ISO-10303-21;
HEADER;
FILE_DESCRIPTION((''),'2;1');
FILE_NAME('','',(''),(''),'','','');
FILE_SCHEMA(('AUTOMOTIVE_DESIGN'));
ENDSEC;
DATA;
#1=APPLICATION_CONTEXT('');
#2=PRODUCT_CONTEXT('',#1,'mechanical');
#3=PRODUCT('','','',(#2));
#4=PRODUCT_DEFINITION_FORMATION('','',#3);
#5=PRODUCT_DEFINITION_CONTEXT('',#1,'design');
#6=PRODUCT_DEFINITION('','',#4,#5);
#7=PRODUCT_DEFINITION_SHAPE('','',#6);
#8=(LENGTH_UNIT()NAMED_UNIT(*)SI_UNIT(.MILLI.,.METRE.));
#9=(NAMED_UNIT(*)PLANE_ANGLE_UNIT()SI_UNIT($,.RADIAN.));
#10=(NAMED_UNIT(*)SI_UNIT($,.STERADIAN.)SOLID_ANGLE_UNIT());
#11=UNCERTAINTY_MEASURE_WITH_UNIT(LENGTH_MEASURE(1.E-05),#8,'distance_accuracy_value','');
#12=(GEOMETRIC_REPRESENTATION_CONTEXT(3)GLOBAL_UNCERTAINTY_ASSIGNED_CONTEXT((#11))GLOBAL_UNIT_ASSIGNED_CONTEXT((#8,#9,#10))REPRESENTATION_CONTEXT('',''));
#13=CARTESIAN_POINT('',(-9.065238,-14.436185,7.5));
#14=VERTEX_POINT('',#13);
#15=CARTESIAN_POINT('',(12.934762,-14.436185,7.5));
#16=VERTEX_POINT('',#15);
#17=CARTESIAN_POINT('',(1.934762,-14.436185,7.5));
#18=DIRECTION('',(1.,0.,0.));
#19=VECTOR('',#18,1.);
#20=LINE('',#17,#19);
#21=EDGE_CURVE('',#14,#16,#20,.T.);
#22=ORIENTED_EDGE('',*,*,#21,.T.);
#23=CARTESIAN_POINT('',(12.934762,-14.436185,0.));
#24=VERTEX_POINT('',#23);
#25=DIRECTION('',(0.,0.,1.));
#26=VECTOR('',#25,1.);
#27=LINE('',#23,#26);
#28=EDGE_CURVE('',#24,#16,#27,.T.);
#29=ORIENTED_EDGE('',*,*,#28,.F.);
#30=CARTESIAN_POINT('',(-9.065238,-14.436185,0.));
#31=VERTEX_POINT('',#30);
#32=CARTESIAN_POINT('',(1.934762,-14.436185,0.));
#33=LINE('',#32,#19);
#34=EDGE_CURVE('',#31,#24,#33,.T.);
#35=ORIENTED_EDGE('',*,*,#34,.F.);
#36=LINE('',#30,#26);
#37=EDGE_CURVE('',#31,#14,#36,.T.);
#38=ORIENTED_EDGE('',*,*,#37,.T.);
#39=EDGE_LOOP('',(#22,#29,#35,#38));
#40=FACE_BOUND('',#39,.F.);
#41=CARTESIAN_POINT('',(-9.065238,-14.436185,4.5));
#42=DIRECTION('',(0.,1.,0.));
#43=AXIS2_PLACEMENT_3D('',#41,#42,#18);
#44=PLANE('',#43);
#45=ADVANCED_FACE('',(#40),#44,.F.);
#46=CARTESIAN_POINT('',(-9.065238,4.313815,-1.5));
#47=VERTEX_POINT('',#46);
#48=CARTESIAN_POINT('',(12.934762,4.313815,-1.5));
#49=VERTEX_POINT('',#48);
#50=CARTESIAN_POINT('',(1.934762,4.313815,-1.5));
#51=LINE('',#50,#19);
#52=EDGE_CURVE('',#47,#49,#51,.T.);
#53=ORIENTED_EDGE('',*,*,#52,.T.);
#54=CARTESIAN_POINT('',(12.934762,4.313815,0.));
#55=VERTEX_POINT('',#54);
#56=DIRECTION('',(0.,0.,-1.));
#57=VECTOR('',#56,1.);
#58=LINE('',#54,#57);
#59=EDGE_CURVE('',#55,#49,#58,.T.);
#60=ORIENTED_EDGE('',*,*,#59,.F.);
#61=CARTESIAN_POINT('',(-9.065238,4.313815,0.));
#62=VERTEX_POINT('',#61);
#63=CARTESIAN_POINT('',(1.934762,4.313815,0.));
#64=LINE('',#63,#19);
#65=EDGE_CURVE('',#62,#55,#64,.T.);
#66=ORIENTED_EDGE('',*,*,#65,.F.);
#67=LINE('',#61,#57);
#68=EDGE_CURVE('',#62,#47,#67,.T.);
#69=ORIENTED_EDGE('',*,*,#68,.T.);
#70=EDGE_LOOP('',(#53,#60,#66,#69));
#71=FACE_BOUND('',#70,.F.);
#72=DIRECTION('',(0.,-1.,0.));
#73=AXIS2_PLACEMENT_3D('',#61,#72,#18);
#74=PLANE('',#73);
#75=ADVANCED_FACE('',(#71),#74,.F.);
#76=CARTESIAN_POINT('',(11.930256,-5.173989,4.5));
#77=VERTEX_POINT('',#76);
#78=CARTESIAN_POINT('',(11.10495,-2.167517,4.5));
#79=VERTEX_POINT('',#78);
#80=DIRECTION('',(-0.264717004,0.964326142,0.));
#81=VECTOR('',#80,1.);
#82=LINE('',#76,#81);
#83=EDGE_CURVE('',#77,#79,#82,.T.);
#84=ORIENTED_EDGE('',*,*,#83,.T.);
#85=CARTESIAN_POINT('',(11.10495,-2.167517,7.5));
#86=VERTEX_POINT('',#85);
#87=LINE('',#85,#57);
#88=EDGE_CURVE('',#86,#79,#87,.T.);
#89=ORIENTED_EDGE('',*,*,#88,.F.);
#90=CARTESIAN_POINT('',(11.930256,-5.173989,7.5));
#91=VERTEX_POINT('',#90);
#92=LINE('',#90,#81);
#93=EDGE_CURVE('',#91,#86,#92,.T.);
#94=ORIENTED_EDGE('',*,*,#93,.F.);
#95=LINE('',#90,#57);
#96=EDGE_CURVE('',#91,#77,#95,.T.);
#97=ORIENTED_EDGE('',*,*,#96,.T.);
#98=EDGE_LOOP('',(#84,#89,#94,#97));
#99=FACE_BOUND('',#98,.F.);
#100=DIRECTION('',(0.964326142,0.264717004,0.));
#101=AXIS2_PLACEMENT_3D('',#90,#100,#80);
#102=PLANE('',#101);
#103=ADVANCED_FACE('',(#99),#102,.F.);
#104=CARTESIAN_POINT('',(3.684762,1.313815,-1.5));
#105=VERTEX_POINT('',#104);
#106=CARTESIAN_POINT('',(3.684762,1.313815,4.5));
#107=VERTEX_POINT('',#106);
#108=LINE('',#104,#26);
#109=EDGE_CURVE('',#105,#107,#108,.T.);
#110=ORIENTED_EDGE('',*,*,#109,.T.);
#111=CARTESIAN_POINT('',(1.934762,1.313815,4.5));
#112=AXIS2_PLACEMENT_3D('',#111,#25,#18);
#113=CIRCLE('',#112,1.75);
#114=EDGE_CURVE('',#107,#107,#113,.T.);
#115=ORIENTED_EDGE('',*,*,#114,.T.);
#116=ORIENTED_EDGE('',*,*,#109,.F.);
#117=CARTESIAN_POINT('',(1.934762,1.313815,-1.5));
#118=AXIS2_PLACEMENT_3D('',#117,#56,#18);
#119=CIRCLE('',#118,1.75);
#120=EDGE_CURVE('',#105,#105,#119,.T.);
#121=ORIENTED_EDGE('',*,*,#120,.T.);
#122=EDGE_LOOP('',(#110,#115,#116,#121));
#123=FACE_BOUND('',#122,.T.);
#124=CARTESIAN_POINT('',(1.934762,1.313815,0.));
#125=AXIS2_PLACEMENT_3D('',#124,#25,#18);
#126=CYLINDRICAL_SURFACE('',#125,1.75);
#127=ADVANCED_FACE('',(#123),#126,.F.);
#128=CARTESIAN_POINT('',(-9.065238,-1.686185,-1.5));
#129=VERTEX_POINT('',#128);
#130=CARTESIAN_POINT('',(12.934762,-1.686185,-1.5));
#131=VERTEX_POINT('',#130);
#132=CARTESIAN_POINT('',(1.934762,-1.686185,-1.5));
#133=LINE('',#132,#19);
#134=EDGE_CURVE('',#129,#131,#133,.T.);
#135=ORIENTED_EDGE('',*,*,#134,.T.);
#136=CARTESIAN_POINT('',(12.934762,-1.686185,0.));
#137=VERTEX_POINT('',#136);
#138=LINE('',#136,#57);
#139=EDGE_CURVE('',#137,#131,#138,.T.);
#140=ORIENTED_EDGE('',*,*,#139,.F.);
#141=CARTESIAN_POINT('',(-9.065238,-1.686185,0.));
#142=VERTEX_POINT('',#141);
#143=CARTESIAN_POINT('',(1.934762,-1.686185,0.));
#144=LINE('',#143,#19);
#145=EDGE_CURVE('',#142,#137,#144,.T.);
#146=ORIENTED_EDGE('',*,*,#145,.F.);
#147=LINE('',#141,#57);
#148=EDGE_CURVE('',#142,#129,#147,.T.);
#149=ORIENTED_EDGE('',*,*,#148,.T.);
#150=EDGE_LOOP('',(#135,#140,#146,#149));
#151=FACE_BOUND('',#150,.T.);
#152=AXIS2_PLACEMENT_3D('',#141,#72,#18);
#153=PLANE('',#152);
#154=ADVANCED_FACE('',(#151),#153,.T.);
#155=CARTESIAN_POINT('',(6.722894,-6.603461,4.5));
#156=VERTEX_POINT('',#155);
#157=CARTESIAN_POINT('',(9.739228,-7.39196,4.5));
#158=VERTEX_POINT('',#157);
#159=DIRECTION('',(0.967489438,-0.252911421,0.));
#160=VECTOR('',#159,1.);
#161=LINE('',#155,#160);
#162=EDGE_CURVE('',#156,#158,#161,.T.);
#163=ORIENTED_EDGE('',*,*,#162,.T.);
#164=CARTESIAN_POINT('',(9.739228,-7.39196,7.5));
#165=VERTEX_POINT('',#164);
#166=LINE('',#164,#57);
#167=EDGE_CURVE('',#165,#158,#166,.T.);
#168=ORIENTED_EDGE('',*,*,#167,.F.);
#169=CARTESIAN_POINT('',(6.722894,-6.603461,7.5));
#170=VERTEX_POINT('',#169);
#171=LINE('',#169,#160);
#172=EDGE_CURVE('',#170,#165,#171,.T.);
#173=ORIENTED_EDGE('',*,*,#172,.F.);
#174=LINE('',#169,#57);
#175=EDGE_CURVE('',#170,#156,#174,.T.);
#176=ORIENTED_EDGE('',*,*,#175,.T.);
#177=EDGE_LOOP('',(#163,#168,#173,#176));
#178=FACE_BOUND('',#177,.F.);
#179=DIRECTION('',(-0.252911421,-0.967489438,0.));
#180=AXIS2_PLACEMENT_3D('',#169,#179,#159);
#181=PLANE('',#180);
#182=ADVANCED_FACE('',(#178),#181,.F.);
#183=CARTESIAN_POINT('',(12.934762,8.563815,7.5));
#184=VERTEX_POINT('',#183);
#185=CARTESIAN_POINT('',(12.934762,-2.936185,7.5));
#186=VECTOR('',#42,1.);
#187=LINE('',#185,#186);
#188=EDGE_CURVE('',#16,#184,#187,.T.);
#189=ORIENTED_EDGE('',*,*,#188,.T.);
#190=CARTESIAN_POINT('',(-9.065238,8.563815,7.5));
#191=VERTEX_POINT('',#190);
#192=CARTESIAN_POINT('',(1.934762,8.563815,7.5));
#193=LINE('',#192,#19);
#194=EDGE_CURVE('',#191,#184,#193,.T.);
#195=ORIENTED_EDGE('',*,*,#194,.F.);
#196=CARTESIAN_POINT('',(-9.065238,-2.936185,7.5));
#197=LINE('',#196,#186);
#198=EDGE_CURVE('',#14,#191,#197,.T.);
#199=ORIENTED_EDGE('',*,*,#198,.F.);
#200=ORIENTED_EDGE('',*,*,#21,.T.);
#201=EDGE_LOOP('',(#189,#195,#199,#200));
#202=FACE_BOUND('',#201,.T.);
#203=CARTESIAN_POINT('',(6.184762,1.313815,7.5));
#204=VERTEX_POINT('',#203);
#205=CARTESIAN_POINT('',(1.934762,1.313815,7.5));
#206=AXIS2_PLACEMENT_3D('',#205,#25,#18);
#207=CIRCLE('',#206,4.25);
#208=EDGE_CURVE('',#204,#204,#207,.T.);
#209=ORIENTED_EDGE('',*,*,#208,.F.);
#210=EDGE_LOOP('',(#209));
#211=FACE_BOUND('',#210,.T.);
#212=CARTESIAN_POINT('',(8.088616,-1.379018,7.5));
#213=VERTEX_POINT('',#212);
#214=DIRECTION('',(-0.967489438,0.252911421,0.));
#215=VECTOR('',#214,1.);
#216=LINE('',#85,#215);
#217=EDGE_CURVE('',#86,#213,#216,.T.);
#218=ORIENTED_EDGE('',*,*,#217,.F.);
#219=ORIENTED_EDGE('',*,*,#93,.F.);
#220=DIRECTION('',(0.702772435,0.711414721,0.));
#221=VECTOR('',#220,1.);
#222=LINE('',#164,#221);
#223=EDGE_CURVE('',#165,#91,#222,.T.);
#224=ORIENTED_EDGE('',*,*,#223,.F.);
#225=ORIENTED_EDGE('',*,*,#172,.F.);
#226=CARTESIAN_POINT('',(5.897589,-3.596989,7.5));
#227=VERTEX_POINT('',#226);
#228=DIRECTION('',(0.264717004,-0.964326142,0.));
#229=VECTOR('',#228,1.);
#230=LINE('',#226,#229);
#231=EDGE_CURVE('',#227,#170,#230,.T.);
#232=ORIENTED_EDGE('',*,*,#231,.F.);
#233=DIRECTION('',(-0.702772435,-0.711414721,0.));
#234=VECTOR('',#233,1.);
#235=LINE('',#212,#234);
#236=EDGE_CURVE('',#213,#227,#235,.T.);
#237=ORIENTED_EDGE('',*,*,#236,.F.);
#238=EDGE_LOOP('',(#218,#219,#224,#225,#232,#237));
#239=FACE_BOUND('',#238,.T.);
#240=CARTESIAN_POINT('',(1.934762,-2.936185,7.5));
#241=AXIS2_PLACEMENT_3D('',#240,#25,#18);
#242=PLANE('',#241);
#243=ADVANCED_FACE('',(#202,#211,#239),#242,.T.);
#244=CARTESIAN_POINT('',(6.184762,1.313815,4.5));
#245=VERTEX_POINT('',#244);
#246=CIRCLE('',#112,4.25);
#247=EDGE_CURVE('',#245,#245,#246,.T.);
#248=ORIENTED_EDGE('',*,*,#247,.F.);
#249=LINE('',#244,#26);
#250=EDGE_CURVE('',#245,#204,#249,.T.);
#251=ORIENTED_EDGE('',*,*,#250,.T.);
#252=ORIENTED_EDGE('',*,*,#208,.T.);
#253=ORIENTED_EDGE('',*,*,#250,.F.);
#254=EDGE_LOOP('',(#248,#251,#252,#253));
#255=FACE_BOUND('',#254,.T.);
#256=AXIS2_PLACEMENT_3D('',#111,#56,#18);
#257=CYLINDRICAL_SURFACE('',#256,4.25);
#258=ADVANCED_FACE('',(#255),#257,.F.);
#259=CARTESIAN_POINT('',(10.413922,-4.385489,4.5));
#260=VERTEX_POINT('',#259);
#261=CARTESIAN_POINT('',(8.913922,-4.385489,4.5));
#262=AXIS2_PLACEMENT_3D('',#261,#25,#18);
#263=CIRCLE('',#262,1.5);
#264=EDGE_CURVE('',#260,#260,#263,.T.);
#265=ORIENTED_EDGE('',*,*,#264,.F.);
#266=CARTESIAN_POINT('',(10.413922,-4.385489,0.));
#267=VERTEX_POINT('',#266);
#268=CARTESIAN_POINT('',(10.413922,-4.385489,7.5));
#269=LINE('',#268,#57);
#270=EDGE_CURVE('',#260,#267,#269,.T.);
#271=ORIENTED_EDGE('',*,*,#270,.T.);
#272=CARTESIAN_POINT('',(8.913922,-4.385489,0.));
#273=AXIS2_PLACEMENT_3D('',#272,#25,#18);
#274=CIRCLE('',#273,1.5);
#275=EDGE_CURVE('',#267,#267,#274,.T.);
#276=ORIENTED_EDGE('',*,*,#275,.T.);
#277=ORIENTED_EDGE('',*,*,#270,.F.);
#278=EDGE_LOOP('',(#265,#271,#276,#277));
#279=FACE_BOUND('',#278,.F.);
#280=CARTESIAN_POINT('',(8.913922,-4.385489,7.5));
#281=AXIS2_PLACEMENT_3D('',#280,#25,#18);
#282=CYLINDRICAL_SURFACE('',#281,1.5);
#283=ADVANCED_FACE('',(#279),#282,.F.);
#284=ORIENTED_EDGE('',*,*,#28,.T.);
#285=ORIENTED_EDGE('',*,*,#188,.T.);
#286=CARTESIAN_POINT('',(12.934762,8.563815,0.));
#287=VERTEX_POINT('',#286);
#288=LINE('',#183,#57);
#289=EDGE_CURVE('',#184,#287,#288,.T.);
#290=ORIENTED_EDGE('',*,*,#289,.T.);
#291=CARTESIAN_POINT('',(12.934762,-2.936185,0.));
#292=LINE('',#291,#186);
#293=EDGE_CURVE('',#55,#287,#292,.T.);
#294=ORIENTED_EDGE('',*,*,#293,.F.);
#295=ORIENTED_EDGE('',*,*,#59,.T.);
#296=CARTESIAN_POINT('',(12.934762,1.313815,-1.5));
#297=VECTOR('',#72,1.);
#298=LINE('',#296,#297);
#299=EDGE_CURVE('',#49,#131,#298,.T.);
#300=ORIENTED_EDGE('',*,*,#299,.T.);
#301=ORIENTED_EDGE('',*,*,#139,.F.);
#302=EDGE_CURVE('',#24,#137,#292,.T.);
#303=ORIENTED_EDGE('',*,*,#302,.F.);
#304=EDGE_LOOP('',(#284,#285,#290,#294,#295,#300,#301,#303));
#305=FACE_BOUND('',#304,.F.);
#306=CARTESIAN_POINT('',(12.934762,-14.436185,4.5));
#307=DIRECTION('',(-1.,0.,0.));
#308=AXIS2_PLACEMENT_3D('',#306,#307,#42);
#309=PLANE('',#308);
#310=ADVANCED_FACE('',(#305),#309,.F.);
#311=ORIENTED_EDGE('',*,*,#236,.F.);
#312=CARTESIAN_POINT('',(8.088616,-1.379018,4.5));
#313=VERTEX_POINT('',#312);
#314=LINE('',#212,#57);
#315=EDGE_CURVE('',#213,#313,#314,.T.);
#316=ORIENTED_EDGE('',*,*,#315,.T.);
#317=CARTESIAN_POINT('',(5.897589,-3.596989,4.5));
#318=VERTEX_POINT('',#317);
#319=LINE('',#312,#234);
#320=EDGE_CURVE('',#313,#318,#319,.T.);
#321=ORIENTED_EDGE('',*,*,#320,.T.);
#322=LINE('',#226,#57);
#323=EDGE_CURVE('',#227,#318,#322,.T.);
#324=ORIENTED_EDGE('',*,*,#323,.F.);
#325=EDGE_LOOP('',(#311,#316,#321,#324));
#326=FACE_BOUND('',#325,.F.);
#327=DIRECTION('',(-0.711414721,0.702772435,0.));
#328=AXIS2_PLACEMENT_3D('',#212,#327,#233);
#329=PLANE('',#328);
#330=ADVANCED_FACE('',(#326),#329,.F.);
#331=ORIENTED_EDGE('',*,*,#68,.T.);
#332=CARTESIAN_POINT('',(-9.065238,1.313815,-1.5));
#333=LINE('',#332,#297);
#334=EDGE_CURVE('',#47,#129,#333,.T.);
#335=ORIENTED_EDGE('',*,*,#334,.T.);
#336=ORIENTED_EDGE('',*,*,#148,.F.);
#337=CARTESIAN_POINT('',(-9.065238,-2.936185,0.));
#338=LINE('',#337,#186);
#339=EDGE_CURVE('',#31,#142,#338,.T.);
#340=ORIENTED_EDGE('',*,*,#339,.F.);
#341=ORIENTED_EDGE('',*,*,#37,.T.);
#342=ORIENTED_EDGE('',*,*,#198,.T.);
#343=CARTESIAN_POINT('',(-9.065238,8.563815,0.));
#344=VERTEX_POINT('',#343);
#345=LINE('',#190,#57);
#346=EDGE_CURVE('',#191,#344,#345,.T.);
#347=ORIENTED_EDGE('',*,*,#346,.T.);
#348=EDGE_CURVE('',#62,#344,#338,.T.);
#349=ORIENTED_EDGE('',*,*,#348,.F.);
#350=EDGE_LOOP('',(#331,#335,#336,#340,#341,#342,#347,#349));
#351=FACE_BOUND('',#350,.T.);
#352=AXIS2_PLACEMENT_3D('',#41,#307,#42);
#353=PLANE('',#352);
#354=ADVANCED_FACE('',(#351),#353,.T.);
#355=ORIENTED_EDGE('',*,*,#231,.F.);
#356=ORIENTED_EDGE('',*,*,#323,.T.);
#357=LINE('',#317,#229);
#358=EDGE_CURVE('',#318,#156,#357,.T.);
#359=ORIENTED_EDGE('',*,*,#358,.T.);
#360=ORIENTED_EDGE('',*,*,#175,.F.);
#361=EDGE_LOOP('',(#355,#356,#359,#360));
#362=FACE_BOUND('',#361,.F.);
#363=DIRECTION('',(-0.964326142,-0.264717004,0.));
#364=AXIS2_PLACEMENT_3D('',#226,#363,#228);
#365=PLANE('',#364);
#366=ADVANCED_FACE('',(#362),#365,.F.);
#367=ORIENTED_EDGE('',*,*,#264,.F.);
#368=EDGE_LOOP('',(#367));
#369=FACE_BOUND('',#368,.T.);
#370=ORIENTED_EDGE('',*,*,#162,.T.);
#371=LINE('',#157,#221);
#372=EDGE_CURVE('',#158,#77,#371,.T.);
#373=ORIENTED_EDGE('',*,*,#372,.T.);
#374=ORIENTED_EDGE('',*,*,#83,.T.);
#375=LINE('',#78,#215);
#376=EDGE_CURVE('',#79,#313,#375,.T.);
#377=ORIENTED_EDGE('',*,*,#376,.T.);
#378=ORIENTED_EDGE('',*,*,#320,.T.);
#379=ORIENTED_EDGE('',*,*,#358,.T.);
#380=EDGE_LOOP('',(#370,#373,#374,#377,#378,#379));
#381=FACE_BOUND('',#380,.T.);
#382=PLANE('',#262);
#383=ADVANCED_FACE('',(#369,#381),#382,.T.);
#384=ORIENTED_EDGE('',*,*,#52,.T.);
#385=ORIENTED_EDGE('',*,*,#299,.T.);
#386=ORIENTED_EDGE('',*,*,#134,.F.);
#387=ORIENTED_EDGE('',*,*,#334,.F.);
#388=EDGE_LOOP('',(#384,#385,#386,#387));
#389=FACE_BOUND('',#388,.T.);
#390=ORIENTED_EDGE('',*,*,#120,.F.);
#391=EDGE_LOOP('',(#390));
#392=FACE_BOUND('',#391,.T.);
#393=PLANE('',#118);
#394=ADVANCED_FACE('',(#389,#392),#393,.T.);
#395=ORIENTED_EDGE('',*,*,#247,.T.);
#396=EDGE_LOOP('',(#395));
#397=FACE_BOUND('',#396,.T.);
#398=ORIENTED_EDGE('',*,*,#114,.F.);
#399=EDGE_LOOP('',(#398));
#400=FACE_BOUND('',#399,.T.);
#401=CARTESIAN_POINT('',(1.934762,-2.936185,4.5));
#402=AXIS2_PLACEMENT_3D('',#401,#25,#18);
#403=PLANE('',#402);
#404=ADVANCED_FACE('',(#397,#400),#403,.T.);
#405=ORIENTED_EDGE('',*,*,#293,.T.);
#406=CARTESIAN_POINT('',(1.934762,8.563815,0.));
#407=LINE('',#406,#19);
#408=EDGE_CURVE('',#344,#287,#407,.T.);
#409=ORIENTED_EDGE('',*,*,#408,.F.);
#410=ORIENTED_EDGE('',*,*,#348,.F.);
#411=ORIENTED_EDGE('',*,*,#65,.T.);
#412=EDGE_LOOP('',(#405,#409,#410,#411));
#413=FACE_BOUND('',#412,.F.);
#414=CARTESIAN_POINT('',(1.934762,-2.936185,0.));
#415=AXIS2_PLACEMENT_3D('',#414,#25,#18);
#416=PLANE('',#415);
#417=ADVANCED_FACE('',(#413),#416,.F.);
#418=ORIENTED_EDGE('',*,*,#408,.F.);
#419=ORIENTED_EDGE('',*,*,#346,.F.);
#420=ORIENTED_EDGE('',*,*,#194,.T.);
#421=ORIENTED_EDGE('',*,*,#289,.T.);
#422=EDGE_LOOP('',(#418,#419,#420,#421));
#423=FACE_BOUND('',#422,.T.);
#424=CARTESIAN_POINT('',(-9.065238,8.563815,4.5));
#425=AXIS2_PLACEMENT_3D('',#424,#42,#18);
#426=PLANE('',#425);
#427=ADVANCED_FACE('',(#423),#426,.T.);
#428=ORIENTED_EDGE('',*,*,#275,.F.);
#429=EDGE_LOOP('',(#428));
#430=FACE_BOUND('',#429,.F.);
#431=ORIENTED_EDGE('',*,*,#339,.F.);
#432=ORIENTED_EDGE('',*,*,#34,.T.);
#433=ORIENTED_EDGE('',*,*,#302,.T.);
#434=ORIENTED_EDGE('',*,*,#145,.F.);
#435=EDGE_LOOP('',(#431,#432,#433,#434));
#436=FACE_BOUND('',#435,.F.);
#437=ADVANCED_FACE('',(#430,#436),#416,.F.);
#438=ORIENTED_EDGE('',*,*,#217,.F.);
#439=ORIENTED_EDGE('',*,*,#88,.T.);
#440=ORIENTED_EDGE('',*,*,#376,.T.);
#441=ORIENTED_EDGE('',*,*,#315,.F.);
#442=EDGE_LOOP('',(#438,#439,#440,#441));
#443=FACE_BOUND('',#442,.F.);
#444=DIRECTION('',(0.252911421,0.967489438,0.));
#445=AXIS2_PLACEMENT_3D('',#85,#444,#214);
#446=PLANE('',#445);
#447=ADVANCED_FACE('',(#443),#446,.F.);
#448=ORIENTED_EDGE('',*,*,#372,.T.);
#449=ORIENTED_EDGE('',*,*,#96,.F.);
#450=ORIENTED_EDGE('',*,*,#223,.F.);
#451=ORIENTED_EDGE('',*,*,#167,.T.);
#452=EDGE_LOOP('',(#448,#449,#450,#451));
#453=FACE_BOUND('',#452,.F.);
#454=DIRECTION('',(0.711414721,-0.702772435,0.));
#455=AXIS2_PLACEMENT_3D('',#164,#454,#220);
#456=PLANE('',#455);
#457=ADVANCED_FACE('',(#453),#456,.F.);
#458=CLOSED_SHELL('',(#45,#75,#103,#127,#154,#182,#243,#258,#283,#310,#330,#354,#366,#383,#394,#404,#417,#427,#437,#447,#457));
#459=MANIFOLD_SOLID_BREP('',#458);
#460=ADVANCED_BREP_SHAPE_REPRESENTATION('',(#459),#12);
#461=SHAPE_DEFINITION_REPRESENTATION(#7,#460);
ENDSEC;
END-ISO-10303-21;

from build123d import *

# Parameters (mm, degrees)
F0_W     = 22
F0_H     = 23
F1_DEPTH = 4.5
F2_R     = 1.75
F3_DEPTH = 4.501
F4_W     = 22
F4_H     = 6
F4_R     = 1.75
F5_DEPTH = 1.5
F2_W     = 22
F2_H     = 23
F2_R_2   = 4.25
F2_R_3   = 1.5
F6_DEPTH = 3
F7_R     = 1.5
F8_DEPTH = 3
F9_DEPTH = 9.001


with BuildPart() as f1:
    # F0 (on Top) → F1 (new body)
    with BuildSketch(Plane.XY):
        with Locations((1.9347620532, -2.93618536)):
            Rectangle(F0_W, F0_H)
    extrude(amount=F1_DEPTH)

    # F2 (on face) → F3 (cut, through all)
    with BuildSketch(Plane.XY.offset(4.5)):
        with Locations((1.9347620532, 1.31381464)):
            Circle(F2_R)
    extrude(amount=-F3_DEPTH, mode=Mode.SUBTRACT)

    # F4 (on face) → F5 (join)
    with BuildSketch(Plane(origin=(0, 0, 0), x_dir=(1, 0, 0), z_dir=(0, 0, -1))):
        with Locations((1.9347620532, -1.31381464)):
            Rectangle(F4_W, F4_H)
        with Locations((1.9347620532, -1.31381464)):
            Circle(F4_R, mode=Mode.SUBTRACT)
    extrude(amount=F5_DEPTH)

    # F2 (on face) → F6 (join)
    with BuildSketch(Plane.XY.offset(4.5)):
        with Locations((1.9347620532, -2.93618536)):
            Rectangle(F2_W, F2_H)
        Polygon((-5.8697039075, -7.3919604017), (-8.0607315208, -5.1739888063), (-7.235425581, -2.1675174351), (-4.2190920279, -1.3790176593), (-2.0280644146, -3.5969892546), (-2.8533703544, -6.6034606258), align=None, mode=Mode.SUBTRACT)
        with Locations((1.9347620532, 1.31381464)):
            Circle(F2_R_2, mode=Mode.SUBTRACT)
        Polygon((-7.235425581, -2.1675174351), (-8.0607315208, -5.1739888063), (-5.8697039075, -7.3919604017), (-2.8533703544, -6.6034606258), (-2.0280644146, -3.5969892546), (-4.2190920279, -1.3790176593), align=None)
        with Locations((-5.0443979677, -4.3854890305)):
            Circle(F2_R_3, mode=Mode.SUBTRACT)
        with Locations((-5.0443979677, -4.3854890305)):
            Circle(F2_R_3)
    extrude(amount=F6_DEPTH)

    # F7 (on face) → F8 (cut)
    with BuildSketch(Plane.XY.offset(7.5)):
        Polygon((8.0886161343, -1.3790176593), (5.897588521, -3.5969892546), (6.7228944608, -6.6034606258), (9.7392280139, -7.3919604017), (11.9302556272, -5.1739888063), (11.1049496874, -2.1675174351), align=None)
        with Locations((8.9139220741, -4.3854890305)):
            Circle(F7_R, mode=Mode.SUBTRACT)
    extrude(amount=-F8_DEPTH, mode=Mode.SUBTRACT)

    # F9 (cut, through all): a face of the model
    f9_faces = [f1.faces().sort_by_distance(p)[0] for p in [
        (8.9139220741, -4.3854890305, 7.5),
    ]]
    extrude(f9_faces, amount=-F9_DEPTH, mode=Mode.SUBTRACT)


solid = f1.part
